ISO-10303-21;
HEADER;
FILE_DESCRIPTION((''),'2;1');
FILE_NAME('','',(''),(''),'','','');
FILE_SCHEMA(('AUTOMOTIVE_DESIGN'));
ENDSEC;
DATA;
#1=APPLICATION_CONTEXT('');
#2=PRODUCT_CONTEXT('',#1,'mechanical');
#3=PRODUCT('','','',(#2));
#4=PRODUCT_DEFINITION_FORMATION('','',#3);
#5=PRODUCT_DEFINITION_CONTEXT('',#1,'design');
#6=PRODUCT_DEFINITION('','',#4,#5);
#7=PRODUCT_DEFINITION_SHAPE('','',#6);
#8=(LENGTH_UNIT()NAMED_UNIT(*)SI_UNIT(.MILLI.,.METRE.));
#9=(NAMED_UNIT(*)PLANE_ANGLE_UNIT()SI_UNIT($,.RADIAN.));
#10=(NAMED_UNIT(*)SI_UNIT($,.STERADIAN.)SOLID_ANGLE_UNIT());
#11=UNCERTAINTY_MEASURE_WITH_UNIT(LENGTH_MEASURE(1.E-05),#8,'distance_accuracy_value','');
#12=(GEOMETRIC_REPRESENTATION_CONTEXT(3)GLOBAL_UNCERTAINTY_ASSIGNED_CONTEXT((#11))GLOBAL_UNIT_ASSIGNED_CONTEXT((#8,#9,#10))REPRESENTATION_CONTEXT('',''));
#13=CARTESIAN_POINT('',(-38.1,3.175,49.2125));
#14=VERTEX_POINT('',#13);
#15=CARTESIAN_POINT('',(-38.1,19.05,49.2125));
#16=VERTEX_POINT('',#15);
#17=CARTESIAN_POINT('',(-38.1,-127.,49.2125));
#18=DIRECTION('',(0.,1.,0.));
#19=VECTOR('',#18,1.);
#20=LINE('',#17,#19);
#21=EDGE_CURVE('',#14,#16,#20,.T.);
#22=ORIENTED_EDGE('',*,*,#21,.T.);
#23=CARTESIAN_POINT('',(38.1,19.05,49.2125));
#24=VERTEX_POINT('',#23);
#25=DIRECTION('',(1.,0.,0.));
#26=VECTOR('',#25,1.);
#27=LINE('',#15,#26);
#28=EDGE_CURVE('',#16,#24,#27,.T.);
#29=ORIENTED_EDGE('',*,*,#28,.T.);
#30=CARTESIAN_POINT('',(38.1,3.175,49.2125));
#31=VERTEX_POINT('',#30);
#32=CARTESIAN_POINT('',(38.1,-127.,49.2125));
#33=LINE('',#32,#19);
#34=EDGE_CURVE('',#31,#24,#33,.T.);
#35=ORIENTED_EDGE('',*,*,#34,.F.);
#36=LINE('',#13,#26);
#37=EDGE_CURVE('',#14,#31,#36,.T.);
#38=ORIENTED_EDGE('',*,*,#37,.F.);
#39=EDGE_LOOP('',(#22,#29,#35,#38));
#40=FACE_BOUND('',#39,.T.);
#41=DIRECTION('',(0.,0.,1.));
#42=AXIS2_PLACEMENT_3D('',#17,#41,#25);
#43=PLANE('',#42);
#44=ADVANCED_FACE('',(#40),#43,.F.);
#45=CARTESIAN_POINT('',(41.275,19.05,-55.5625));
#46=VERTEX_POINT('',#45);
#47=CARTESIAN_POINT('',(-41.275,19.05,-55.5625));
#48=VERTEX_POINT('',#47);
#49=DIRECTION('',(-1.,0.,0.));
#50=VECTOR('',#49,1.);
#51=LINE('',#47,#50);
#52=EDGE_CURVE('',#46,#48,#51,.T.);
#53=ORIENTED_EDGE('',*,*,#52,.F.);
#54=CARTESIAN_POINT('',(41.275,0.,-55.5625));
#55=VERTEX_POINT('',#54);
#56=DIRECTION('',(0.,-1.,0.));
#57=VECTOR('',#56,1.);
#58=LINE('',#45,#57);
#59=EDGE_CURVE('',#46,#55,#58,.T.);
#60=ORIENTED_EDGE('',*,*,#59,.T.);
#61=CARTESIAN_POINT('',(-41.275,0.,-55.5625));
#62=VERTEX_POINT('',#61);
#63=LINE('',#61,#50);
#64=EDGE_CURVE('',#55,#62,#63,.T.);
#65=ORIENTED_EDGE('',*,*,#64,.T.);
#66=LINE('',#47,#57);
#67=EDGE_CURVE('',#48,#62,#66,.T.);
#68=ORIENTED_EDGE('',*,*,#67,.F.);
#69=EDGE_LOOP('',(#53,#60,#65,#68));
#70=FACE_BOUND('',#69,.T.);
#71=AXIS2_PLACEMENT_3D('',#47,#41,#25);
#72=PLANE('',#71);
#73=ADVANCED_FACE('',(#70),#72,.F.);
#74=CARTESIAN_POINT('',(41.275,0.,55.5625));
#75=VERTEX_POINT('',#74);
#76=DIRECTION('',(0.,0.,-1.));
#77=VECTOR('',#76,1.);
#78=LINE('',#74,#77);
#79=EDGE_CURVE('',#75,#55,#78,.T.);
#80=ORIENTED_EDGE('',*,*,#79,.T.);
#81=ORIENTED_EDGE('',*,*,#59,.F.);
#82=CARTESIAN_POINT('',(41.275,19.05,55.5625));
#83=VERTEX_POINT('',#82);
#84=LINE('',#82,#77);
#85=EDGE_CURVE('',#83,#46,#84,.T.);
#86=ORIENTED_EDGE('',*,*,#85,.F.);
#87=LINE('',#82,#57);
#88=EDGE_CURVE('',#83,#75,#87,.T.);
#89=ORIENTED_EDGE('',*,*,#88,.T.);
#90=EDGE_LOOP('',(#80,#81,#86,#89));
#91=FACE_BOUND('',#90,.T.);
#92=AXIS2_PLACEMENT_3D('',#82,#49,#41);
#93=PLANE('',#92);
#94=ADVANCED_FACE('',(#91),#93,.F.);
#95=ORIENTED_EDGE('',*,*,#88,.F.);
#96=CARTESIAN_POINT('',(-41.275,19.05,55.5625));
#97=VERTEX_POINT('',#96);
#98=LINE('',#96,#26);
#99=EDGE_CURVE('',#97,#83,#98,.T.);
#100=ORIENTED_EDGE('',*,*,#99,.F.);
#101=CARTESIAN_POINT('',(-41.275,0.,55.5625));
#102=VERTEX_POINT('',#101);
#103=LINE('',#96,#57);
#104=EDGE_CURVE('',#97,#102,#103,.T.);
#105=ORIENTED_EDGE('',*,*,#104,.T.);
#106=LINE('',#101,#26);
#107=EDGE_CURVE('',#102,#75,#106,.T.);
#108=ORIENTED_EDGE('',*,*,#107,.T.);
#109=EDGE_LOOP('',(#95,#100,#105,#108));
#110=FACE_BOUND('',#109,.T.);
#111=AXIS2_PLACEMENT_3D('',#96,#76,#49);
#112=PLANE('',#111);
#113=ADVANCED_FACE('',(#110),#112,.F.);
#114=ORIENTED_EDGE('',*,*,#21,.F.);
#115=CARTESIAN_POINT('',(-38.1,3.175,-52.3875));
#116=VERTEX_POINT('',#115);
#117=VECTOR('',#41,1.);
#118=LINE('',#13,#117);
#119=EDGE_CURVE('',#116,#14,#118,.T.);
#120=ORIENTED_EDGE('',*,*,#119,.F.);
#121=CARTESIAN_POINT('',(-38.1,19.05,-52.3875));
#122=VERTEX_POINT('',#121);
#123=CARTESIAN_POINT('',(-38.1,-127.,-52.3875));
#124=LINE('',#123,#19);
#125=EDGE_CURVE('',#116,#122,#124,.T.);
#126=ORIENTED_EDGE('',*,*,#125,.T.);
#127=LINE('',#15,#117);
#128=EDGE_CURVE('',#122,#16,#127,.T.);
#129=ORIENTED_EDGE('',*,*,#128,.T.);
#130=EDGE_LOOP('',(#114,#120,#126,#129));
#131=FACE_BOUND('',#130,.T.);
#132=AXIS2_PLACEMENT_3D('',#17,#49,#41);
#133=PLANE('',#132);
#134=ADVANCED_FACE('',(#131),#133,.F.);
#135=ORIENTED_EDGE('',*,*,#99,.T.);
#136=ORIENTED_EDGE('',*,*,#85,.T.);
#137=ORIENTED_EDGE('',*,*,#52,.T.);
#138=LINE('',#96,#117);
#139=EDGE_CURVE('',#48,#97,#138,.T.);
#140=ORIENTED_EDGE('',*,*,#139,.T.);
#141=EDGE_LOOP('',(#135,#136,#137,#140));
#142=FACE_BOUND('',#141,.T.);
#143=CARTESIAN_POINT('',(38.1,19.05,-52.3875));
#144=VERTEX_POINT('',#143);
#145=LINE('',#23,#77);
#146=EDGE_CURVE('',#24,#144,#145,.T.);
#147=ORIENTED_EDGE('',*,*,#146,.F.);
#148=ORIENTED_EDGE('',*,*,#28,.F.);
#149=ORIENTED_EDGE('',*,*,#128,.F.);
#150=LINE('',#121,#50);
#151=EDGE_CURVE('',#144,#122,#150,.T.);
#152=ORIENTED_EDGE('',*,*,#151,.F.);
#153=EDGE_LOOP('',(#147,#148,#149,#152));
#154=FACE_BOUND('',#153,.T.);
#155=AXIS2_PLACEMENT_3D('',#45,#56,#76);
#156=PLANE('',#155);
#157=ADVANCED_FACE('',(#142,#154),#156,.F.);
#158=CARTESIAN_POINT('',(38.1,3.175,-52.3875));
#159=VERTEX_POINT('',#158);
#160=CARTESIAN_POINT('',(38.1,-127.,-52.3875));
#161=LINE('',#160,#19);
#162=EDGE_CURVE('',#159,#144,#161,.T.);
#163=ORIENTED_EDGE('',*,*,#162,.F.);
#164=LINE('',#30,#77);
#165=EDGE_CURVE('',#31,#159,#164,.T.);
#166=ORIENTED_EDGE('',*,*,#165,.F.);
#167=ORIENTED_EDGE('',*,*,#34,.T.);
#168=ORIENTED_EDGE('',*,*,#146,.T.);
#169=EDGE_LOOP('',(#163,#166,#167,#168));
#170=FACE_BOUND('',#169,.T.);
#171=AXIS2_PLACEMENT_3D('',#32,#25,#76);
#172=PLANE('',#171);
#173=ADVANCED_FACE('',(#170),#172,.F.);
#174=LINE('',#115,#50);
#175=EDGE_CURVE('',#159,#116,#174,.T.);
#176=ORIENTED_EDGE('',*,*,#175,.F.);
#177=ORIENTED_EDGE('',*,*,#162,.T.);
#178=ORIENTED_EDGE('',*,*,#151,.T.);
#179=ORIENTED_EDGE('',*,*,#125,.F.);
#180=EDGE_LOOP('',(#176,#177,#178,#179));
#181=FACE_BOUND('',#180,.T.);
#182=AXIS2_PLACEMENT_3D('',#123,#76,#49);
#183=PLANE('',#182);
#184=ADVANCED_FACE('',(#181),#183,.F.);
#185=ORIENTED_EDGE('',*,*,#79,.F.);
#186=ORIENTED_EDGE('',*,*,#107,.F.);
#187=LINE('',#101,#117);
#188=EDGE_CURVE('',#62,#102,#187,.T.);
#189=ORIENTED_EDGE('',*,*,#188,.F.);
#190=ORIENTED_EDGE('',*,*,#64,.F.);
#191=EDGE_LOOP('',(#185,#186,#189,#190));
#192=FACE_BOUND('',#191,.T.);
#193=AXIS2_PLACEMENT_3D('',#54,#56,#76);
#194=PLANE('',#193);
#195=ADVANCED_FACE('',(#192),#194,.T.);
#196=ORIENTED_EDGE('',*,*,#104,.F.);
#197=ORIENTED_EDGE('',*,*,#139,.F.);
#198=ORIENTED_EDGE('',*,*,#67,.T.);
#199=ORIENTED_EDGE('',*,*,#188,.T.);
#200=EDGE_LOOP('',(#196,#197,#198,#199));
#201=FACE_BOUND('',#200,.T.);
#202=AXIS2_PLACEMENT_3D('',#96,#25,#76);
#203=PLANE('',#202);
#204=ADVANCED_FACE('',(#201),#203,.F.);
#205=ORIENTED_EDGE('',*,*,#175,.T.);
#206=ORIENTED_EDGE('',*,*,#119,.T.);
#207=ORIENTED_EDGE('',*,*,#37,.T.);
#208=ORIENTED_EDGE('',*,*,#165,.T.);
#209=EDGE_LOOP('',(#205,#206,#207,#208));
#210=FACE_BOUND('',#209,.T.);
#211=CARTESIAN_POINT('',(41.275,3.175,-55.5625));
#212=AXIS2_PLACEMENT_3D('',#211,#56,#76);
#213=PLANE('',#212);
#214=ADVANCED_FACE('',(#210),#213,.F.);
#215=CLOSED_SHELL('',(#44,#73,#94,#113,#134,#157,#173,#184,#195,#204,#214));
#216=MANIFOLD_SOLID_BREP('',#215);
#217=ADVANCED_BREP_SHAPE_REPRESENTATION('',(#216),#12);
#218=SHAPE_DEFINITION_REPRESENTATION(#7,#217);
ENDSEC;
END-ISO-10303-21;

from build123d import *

# Parameters (mm, degrees)
SKETCH1_W           = 82.55
SKETCH1_H           = 111.125
BOSS_EXTRUDE1_DEPTH = 19.05
SKETCH14_W          = 76.2
SKETCH14_H          = 101.6
CUT_EXTRUDE3_DEPTH  = 15.875


with BuildPart() as part:
    # Sketch1 → Boss-Extrude1 (new body)
    with BuildSketch(Plane(origin=(0, 0, 0), x_dir=(1, 0, 0), z_dir=(0, 1, 0))):
        Rectangle(SKETCH1_W, SKETCH1_H)
    extrude(amount=BOSS_EXTRUDE1_DEPTH)

    # Sketch14 → Cut-Extrude3 (cut)
    with BuildSketch(Plane(origin=(0, 19.05, 0), x_dir=(-1, 0, 0), z_dir=(0, 1, 0))):
        with Locations((0, -1.5875)):
            Rectangle(SKETCH14_W, SKETCH14_H)
    extrude(amount=-CUT_EXTRUDE3_DEPTH, mode=Mode.SUBTRACT)


solid = part.part
